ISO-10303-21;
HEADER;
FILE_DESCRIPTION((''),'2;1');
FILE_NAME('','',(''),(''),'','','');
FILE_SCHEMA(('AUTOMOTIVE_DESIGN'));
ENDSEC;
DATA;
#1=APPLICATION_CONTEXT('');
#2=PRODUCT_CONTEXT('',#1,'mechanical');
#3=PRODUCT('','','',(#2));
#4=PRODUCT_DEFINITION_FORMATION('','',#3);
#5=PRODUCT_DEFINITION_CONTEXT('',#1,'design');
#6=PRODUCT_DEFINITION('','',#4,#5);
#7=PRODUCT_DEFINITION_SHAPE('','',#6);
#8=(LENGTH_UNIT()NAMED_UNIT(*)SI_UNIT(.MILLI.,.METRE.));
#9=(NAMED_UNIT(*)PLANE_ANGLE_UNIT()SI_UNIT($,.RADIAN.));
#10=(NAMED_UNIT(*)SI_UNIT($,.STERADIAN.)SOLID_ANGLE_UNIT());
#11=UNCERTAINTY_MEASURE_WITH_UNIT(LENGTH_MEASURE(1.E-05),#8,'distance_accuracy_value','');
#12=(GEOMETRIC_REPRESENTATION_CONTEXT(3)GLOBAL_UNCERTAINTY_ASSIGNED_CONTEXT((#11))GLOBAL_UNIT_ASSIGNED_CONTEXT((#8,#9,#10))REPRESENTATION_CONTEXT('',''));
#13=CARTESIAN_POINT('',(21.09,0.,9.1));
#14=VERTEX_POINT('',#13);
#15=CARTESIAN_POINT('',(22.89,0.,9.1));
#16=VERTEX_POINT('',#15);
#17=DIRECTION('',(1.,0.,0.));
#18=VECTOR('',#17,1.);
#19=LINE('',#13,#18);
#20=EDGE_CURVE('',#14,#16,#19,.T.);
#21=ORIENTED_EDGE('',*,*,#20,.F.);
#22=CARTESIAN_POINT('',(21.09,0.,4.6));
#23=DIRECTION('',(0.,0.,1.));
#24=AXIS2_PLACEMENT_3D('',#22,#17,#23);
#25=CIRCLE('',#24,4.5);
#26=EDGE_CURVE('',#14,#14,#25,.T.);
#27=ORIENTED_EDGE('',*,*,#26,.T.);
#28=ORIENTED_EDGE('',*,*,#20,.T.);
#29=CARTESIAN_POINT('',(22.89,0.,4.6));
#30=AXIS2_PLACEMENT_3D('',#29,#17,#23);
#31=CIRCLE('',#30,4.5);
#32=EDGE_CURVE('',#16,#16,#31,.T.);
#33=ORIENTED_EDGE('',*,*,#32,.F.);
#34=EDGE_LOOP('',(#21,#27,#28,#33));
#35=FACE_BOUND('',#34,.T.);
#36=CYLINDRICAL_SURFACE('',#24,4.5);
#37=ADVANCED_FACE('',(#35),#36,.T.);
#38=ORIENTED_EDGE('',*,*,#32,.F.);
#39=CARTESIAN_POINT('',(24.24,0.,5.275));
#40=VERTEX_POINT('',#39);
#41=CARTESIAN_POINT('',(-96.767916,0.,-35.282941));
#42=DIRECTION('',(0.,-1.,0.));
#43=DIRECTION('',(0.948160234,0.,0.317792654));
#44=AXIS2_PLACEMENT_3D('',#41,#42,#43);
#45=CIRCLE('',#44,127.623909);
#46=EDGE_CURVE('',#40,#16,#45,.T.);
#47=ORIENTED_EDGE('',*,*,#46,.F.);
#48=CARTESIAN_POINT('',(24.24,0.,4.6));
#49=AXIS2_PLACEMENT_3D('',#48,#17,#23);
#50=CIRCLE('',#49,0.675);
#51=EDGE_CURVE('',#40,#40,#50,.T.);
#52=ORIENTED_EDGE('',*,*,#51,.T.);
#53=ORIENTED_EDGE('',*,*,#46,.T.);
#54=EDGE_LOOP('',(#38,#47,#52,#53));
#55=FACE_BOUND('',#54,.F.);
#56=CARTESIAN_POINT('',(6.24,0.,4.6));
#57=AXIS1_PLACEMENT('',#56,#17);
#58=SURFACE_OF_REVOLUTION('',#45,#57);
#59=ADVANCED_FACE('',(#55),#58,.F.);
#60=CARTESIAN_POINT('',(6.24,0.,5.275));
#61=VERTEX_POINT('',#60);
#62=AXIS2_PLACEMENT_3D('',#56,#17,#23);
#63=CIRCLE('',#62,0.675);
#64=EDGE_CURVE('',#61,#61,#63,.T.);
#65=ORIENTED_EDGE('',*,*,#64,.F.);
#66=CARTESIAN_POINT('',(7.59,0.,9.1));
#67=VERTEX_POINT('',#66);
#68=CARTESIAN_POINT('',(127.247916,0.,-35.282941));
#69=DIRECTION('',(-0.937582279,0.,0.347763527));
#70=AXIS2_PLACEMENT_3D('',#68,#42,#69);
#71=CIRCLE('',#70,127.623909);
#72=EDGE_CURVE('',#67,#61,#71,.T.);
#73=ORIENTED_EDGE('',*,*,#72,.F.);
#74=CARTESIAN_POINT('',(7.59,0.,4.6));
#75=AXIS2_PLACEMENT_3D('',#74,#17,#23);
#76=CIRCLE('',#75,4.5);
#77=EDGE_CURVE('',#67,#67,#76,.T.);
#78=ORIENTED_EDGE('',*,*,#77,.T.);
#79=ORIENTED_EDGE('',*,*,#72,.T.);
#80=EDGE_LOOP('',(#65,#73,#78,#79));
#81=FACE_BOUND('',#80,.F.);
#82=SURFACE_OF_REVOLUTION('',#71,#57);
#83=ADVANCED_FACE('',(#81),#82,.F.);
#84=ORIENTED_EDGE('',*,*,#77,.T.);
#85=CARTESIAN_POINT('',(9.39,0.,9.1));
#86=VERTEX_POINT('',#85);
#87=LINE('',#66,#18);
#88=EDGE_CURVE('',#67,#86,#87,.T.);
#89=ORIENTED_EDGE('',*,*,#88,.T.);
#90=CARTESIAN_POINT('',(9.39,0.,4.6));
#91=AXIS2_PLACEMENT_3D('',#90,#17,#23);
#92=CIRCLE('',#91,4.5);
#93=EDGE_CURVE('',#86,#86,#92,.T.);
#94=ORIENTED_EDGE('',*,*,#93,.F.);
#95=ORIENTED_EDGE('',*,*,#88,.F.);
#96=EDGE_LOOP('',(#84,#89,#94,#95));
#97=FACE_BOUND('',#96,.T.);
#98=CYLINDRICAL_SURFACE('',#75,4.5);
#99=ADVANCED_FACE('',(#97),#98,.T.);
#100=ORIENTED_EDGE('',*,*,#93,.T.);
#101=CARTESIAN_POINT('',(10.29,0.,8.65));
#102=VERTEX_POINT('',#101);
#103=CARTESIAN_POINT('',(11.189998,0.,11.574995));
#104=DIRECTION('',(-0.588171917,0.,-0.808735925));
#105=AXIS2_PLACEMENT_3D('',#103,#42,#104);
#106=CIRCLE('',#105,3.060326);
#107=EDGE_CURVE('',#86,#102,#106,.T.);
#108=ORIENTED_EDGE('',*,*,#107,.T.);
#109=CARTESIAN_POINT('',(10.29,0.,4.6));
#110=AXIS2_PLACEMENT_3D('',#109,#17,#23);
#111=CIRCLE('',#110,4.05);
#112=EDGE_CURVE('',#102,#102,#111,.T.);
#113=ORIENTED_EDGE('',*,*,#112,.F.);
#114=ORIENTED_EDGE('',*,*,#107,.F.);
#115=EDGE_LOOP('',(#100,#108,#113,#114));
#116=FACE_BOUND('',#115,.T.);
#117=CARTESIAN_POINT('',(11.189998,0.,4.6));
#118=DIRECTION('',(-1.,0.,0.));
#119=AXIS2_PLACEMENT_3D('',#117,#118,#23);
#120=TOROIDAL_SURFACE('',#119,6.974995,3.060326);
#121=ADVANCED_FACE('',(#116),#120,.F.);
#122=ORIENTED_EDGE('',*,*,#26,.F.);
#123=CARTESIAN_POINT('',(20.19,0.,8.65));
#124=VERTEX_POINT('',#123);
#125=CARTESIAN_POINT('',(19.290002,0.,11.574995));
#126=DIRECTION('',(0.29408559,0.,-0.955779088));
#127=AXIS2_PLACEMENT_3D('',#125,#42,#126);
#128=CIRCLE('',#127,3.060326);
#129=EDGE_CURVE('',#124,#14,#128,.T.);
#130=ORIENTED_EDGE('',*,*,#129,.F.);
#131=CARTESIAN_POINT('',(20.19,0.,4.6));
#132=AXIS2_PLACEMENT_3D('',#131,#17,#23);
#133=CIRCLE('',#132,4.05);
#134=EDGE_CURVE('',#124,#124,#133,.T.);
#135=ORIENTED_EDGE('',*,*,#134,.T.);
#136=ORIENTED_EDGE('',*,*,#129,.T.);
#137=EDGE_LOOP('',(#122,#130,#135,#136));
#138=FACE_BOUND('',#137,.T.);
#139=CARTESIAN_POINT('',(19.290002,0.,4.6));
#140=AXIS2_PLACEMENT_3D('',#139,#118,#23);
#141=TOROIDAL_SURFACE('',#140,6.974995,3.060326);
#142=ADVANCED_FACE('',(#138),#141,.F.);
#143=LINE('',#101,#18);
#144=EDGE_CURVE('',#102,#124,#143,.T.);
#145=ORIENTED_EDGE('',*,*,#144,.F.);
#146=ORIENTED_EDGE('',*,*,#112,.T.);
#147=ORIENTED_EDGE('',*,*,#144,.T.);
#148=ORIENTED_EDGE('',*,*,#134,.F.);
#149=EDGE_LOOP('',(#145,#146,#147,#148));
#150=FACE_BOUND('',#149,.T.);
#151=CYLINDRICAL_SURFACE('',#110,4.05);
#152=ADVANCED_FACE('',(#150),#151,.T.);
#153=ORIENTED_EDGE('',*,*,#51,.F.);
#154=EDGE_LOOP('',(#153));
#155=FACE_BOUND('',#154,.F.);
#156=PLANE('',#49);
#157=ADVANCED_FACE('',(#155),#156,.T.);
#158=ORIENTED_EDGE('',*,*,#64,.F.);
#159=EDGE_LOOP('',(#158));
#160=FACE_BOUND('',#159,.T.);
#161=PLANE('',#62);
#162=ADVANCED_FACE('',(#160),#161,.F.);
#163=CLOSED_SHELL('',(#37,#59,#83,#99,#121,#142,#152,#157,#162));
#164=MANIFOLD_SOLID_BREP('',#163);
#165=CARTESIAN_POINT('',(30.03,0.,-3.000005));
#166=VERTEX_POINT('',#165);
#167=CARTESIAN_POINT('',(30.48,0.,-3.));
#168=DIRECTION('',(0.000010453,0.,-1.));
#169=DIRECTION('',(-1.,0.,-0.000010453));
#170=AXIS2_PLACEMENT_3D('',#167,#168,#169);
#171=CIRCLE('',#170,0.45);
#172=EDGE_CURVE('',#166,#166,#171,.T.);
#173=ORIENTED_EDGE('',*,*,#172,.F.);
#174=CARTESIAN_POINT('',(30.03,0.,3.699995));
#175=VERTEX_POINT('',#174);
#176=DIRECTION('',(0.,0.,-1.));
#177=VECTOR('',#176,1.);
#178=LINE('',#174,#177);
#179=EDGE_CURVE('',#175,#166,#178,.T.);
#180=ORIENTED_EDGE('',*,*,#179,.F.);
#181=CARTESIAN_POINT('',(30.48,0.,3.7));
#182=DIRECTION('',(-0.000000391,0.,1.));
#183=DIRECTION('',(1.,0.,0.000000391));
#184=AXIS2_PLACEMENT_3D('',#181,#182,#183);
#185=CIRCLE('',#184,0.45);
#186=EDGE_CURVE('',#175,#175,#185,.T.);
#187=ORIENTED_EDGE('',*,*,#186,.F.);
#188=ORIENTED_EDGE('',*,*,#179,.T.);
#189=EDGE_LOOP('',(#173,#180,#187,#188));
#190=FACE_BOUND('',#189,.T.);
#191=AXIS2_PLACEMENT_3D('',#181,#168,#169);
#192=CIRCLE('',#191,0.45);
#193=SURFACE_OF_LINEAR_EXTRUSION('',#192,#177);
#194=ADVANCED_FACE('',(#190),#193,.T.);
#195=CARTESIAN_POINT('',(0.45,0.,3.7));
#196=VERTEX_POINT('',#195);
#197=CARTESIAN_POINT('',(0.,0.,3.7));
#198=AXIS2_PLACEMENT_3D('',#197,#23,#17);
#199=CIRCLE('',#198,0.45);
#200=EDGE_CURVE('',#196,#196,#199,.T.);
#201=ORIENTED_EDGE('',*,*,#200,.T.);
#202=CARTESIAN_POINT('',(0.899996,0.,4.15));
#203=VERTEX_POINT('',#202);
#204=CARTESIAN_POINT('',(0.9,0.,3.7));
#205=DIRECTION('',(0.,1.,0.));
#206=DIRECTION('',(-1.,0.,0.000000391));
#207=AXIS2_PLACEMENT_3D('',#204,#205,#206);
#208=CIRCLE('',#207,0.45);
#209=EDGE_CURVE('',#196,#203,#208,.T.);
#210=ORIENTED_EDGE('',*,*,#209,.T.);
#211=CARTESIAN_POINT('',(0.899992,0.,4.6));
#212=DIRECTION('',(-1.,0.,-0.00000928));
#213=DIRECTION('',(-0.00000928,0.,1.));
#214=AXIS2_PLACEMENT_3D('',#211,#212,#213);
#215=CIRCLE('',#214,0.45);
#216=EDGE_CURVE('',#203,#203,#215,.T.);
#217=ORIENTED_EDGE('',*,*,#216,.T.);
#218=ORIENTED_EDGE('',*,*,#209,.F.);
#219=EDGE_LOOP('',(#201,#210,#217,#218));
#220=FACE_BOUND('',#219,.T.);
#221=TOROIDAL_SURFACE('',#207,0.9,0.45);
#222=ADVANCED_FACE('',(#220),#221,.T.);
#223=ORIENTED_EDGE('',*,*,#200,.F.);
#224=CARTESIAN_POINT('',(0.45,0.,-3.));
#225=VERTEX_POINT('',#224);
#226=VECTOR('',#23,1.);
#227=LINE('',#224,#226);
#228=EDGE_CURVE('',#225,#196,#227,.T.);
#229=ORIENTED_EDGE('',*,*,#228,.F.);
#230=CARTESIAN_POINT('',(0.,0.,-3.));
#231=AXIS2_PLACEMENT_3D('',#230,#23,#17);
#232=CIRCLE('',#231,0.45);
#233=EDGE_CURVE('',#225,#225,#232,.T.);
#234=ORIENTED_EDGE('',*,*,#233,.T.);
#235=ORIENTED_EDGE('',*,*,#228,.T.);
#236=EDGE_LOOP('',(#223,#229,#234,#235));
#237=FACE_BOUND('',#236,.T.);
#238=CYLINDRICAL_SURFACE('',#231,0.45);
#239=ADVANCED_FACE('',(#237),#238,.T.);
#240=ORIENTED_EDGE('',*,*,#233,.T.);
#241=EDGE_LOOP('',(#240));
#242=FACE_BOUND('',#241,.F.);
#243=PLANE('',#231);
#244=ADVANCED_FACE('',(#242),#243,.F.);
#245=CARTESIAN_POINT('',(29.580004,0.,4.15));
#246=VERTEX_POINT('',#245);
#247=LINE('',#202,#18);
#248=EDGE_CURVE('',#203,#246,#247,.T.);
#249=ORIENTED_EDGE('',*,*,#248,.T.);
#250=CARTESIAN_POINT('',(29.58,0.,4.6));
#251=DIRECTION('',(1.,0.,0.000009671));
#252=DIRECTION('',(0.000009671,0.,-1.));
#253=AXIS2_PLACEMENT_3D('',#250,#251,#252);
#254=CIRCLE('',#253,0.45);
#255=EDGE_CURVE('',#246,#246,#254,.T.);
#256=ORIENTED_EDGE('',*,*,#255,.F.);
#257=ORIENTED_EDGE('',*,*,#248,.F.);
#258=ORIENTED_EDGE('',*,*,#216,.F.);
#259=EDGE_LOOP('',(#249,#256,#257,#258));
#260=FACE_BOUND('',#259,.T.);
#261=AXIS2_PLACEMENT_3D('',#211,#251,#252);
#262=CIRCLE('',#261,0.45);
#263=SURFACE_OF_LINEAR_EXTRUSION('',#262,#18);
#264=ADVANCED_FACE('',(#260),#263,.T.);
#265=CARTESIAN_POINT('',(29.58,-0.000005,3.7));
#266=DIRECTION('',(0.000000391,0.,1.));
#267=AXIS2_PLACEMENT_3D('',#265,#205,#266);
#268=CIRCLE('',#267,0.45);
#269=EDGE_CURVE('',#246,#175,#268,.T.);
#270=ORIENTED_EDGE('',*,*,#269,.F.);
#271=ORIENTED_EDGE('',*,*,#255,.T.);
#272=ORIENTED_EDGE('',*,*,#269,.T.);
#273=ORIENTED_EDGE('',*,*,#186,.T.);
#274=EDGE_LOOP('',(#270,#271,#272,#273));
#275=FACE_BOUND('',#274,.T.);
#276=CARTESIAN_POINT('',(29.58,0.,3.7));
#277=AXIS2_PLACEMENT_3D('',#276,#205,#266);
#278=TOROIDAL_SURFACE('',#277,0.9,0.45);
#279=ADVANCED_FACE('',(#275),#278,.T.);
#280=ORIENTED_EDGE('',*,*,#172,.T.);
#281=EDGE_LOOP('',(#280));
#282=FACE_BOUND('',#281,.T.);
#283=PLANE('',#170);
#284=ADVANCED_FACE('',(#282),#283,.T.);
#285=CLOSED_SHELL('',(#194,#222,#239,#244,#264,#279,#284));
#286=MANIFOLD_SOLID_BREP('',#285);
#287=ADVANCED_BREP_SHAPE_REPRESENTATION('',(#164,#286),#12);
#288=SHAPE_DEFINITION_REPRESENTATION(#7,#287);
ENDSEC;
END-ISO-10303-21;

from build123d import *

# Parameters (mm, degrees)
SKETCH_R = 0.45


with BuildPart() as revolution:
    # Sketch002 → Revolution (revolve)
    with BuildSketch(Plane.XZ):
        with BuildLine():
            Line((7.59, 9.1), (9.39, 9.1))
            ThreePointArc((9.39, 9.1), (9.821378, 8.837757), (10.29, 8.65))
            Line((10.29, 8.65), (20.19, 8.65))
            ThreePointArc((20.19, 8.65), (20.658622, 8.837757), (21.09, 9.1))
            Line((21.09, 9.1), (22.89, 9.1))
            ThreePointArc((24.24, 5.275), (23.580197, 7.192864), (22.89, 9.1))
            Line((24.24, 4.6), (24.24, 5.275))
            Line((6.24, 4.6), (24.24, 4.6))
            Line((6.24, 4.6), (6.24, 5.275))
            ThreePointArc((7.59, 9.1), (6.899803, 7.192864), (6.24, 5.275))
        make_face()
    revolve(axis=Axis((6.24, 0, 4.6), (1, 0, 0)))


with BuildPart() as sweep_body:
    # Sweep: sweep along a path in Sketch001
    with BuildLine(Plane.XZ) as sweep_path:
        Line((0, -3), (0, 3.7))
        ThreePointArc((0, 3.7), (0.263601, 4.336393), (0.899992, 4.6))
        Line((0.899992, 4.6), (29.58, 4.6))
        ThreePointArc((29.58, 4.6), (30.216396, 4.336396), (30.48, 3.7))
        Line((30.48, 3.7), (30.48, -3))
    # Sketch → Sweep (sweep)
    with BuildSketch(Plane.XY.offset(-2)):
        Circle(SKETCH_R)
    sweep(path=sweep_path.line)


solid = Compound([revolution.part, sweep_body.part])
